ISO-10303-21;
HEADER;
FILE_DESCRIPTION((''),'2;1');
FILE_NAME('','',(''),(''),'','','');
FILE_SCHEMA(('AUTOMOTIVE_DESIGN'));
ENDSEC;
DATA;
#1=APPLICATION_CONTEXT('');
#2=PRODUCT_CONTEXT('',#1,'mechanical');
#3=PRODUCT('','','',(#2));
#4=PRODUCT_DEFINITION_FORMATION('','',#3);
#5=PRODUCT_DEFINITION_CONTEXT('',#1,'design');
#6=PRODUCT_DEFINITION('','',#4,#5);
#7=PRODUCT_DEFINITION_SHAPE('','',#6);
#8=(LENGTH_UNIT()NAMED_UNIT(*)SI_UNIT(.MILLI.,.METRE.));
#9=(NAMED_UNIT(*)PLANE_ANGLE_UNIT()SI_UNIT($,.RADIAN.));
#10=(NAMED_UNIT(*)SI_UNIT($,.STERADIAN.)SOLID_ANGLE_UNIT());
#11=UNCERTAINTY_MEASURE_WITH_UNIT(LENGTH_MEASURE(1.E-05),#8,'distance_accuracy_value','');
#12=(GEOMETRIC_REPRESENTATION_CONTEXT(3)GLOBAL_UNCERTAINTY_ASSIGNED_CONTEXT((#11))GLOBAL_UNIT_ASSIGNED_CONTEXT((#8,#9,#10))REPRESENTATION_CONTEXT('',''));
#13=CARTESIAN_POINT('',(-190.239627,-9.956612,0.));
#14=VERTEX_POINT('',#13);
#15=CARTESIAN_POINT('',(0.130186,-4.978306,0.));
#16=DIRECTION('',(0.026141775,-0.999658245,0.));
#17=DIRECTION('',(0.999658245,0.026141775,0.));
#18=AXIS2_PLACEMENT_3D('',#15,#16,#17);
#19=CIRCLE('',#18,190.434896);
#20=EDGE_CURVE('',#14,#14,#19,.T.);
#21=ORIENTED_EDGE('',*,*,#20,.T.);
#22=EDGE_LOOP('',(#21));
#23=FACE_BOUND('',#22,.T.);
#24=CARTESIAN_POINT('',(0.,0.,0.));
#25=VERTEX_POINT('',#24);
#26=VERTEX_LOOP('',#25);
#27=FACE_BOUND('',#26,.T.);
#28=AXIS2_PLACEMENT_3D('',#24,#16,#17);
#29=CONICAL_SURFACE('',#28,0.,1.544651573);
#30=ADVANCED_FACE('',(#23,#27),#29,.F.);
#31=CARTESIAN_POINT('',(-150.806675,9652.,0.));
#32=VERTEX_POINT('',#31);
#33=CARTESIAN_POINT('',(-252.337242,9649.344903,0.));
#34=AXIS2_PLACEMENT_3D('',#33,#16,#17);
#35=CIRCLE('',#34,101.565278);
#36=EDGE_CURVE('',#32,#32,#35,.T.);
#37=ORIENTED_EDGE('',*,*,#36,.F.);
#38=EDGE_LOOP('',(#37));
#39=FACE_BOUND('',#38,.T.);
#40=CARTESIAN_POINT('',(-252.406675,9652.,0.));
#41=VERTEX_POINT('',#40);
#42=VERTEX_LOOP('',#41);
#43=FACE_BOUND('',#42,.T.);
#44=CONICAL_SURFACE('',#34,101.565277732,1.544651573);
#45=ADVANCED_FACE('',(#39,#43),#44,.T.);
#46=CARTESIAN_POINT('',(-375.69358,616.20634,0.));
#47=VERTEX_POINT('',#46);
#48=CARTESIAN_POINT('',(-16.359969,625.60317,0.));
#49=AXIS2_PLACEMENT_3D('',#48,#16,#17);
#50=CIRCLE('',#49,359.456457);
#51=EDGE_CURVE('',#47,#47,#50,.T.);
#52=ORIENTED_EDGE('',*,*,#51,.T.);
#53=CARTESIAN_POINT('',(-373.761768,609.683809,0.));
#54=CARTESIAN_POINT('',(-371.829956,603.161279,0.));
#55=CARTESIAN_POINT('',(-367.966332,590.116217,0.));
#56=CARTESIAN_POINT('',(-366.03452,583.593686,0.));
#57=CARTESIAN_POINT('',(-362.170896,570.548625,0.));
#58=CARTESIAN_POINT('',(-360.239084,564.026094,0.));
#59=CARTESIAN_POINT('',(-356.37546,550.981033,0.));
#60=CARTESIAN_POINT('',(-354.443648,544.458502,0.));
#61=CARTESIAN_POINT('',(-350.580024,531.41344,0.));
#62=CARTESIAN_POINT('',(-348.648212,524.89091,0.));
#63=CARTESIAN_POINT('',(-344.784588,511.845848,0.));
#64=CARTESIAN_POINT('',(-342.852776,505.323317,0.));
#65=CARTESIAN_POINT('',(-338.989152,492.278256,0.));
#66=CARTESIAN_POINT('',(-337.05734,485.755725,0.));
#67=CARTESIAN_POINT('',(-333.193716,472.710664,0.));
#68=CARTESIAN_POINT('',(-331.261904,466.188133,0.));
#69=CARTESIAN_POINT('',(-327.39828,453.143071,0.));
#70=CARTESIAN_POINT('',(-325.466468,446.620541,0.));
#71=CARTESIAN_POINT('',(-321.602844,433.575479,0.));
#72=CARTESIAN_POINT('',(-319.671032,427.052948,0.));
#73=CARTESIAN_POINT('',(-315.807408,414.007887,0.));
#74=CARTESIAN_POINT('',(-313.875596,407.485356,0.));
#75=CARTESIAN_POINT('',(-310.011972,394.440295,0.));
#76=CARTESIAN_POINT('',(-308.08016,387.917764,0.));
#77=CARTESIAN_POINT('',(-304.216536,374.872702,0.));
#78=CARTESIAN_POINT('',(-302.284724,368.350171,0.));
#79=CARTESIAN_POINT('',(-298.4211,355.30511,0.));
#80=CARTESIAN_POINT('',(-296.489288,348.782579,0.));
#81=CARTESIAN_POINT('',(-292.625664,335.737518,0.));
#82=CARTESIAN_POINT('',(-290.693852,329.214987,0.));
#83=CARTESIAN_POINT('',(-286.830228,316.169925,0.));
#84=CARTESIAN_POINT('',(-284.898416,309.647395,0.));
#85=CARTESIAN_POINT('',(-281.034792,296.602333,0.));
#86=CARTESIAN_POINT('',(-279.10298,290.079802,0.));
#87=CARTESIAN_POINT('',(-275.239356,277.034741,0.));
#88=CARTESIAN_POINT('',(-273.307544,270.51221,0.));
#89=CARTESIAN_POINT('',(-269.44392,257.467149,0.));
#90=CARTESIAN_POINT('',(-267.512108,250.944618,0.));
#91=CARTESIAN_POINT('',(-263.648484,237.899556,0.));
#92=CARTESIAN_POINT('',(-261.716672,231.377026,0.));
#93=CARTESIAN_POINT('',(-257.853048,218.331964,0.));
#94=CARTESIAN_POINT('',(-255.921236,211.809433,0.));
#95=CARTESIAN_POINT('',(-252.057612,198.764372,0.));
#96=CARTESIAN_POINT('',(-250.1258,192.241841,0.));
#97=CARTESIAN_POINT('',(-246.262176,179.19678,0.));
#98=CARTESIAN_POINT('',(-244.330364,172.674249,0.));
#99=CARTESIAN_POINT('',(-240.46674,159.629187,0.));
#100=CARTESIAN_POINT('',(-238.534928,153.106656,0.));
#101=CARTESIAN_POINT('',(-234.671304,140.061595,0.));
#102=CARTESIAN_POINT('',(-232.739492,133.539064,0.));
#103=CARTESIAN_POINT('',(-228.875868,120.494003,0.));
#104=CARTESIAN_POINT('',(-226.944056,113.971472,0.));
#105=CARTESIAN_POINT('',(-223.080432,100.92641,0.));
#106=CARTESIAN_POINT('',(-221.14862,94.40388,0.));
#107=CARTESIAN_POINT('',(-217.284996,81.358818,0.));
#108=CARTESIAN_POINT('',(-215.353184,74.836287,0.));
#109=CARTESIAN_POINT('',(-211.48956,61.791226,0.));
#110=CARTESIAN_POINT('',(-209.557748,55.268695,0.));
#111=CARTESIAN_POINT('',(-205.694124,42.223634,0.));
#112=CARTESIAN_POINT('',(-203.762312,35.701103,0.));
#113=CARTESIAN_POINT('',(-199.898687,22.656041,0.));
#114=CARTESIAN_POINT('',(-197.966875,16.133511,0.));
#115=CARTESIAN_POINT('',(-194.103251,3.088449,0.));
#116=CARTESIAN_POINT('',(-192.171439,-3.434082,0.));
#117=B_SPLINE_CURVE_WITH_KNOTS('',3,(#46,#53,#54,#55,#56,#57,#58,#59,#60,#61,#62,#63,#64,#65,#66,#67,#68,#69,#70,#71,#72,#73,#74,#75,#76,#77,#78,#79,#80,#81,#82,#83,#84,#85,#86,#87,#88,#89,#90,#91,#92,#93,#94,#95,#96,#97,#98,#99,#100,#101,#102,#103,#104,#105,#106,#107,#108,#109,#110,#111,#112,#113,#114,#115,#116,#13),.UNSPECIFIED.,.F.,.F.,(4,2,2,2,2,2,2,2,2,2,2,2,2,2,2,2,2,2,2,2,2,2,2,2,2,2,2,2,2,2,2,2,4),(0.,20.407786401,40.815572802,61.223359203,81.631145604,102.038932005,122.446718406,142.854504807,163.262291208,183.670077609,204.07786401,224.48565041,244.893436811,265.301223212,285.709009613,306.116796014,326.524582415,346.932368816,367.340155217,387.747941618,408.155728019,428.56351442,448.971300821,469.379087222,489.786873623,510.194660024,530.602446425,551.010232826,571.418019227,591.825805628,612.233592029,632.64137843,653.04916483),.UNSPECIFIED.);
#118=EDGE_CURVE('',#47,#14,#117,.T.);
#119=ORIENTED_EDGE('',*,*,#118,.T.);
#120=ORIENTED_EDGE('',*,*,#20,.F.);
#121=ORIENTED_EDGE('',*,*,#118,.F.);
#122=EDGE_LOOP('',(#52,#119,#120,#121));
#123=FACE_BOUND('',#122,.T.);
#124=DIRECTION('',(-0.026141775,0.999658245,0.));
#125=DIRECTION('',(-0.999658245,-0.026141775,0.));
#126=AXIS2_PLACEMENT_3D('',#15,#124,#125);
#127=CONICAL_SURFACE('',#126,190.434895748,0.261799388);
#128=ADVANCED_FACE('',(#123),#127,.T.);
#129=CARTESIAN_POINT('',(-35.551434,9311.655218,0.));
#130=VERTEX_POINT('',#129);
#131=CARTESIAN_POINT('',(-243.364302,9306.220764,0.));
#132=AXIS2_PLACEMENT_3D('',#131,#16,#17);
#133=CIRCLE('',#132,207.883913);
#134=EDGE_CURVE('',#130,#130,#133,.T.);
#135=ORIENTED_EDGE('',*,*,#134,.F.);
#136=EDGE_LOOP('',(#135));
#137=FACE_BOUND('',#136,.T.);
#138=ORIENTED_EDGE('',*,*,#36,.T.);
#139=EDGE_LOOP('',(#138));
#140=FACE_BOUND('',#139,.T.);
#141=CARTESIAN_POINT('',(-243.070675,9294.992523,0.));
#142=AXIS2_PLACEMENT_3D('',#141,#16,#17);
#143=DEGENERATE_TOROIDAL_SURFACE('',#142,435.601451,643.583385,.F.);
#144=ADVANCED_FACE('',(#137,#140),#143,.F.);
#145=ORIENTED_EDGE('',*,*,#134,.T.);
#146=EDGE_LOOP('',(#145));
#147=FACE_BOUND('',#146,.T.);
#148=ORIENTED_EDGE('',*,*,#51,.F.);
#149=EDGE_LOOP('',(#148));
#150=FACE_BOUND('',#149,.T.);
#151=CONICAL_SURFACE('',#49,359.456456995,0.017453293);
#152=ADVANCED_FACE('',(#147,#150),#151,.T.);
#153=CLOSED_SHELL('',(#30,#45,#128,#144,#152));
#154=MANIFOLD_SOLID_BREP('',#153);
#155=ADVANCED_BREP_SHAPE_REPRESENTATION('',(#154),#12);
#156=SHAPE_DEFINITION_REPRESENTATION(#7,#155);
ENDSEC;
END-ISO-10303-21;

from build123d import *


with BuildPart() as part:
    # Croquis1 → Revolución2 (revolve)
    with BuildSketch(Plane.XY):
        with BuildLine():
            Line((0, 0), (190.5, 0))
            Line((190.5, 0), (342.973642594, 635))
            Line((342.973642594, 635), (-35.551434207, 9311.655218085))
            ThreePointArc((-35.551434207, 9311.655218085), (-68.944322041, 9490.034521793), (-150.806674916, 9652))
            Line((-150.806674916, 9652), (-252.406674916, 9652))
            Line((-252.406674916, 9652), (0, 0))
        make_face()
    revolve(axis=Axis((0, 0, 0), (-0.026141775152621272, 0.9996582453978309, 0)))


solid = part.part
